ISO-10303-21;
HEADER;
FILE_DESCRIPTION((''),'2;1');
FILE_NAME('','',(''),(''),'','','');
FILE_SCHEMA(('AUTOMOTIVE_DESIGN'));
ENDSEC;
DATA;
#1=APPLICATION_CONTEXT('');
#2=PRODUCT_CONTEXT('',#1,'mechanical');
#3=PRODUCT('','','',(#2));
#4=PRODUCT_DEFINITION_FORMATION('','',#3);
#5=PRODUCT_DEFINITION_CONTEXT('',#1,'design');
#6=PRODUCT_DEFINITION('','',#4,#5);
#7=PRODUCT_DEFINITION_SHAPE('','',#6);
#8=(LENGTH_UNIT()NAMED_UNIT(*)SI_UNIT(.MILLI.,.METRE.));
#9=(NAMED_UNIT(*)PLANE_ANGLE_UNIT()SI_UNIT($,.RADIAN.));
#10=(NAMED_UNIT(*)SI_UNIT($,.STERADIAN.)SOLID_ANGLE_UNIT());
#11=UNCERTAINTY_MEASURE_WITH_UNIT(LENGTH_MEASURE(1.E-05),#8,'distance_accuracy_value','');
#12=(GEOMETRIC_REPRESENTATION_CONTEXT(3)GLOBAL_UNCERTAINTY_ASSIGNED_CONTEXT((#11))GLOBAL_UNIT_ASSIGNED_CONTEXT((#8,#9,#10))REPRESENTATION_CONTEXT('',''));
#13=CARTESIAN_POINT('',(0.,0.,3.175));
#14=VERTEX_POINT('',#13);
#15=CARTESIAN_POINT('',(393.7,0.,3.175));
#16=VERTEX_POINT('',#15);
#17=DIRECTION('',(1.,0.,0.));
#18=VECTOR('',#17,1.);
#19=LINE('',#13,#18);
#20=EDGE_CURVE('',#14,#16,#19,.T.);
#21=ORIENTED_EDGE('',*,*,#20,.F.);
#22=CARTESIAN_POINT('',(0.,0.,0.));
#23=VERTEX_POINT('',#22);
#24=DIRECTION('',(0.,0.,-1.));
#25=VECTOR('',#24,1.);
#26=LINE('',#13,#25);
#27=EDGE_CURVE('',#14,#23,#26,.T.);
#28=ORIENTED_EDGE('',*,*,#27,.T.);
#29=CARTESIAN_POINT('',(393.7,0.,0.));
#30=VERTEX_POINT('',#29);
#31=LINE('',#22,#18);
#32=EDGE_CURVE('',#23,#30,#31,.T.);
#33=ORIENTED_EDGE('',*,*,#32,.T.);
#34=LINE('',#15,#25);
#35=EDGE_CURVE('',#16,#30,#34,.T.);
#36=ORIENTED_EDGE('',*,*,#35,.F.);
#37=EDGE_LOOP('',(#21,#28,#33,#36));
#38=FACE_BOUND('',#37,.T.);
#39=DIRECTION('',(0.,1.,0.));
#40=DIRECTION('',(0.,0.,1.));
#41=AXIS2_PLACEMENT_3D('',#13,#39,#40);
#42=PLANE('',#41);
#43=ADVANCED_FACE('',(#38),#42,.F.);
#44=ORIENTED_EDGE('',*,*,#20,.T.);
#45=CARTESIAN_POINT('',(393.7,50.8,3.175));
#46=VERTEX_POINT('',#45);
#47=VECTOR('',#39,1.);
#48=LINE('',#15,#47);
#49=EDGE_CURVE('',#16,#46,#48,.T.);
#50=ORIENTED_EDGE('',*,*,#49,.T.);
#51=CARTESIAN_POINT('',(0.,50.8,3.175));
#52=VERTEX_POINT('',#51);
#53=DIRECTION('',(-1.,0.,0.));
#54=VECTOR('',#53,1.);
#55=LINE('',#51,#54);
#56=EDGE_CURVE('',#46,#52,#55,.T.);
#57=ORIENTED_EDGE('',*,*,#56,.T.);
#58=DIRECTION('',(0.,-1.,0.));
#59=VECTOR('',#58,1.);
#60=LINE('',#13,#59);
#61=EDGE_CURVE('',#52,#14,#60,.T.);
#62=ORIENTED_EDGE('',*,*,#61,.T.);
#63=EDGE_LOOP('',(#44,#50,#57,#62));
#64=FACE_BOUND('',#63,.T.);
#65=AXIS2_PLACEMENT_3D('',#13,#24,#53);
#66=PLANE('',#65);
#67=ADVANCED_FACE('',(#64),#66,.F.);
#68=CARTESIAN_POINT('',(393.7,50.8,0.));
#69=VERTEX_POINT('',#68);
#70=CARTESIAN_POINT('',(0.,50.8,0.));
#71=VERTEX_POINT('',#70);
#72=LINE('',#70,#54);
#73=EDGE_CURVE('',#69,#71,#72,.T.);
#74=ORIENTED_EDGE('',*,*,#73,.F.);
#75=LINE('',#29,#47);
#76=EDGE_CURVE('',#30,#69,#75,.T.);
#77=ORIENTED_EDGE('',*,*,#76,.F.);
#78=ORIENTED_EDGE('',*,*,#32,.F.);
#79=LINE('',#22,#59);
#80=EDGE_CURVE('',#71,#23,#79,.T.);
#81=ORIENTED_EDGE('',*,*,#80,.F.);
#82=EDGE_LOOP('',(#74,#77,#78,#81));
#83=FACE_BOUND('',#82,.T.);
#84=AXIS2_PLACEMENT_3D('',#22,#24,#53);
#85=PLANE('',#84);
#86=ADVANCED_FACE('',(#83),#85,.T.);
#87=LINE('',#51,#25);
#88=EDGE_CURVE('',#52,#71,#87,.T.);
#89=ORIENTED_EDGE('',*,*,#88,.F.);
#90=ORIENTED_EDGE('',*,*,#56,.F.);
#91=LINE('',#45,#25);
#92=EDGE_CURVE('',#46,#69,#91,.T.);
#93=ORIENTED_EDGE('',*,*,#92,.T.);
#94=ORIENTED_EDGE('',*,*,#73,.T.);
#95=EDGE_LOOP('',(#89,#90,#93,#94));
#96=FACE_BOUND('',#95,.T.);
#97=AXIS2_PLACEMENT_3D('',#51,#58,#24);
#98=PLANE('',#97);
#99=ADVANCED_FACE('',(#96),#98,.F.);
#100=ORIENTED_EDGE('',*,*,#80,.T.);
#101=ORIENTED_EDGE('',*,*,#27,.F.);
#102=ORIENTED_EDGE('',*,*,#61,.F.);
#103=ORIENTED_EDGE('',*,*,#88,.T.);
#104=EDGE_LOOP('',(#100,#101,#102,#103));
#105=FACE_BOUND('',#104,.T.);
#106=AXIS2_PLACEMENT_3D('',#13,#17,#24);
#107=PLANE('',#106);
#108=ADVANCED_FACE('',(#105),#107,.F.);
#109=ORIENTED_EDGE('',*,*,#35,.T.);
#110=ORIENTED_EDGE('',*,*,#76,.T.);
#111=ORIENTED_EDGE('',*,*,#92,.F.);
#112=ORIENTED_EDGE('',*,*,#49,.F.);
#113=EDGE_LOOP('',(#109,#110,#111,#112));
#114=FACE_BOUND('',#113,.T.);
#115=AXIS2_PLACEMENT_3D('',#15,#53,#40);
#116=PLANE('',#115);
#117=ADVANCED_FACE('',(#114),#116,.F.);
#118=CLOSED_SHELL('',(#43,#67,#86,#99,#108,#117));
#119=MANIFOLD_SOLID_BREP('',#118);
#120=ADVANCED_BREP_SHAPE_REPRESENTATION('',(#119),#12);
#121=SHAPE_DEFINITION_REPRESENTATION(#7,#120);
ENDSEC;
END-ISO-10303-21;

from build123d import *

# Parameters (mm, degrees)
SKETCH1_W           = 393.7
SKETCH1_H           = 50.8
BOSS_EXTRUDE1_DEPTH = 3.175


with BuildPart() as part:
    # Sketch1 → Boss-Extrude1 (new body)
    with BuildSketch(Plane.XY):
        with Locations((196.85, 25.4)):
            Rectangle(SKETCH1_W, SKETCH1_H)
    extrude(amount=BOSS_EXTRUDE1_DEPTH)


solid = part.part
